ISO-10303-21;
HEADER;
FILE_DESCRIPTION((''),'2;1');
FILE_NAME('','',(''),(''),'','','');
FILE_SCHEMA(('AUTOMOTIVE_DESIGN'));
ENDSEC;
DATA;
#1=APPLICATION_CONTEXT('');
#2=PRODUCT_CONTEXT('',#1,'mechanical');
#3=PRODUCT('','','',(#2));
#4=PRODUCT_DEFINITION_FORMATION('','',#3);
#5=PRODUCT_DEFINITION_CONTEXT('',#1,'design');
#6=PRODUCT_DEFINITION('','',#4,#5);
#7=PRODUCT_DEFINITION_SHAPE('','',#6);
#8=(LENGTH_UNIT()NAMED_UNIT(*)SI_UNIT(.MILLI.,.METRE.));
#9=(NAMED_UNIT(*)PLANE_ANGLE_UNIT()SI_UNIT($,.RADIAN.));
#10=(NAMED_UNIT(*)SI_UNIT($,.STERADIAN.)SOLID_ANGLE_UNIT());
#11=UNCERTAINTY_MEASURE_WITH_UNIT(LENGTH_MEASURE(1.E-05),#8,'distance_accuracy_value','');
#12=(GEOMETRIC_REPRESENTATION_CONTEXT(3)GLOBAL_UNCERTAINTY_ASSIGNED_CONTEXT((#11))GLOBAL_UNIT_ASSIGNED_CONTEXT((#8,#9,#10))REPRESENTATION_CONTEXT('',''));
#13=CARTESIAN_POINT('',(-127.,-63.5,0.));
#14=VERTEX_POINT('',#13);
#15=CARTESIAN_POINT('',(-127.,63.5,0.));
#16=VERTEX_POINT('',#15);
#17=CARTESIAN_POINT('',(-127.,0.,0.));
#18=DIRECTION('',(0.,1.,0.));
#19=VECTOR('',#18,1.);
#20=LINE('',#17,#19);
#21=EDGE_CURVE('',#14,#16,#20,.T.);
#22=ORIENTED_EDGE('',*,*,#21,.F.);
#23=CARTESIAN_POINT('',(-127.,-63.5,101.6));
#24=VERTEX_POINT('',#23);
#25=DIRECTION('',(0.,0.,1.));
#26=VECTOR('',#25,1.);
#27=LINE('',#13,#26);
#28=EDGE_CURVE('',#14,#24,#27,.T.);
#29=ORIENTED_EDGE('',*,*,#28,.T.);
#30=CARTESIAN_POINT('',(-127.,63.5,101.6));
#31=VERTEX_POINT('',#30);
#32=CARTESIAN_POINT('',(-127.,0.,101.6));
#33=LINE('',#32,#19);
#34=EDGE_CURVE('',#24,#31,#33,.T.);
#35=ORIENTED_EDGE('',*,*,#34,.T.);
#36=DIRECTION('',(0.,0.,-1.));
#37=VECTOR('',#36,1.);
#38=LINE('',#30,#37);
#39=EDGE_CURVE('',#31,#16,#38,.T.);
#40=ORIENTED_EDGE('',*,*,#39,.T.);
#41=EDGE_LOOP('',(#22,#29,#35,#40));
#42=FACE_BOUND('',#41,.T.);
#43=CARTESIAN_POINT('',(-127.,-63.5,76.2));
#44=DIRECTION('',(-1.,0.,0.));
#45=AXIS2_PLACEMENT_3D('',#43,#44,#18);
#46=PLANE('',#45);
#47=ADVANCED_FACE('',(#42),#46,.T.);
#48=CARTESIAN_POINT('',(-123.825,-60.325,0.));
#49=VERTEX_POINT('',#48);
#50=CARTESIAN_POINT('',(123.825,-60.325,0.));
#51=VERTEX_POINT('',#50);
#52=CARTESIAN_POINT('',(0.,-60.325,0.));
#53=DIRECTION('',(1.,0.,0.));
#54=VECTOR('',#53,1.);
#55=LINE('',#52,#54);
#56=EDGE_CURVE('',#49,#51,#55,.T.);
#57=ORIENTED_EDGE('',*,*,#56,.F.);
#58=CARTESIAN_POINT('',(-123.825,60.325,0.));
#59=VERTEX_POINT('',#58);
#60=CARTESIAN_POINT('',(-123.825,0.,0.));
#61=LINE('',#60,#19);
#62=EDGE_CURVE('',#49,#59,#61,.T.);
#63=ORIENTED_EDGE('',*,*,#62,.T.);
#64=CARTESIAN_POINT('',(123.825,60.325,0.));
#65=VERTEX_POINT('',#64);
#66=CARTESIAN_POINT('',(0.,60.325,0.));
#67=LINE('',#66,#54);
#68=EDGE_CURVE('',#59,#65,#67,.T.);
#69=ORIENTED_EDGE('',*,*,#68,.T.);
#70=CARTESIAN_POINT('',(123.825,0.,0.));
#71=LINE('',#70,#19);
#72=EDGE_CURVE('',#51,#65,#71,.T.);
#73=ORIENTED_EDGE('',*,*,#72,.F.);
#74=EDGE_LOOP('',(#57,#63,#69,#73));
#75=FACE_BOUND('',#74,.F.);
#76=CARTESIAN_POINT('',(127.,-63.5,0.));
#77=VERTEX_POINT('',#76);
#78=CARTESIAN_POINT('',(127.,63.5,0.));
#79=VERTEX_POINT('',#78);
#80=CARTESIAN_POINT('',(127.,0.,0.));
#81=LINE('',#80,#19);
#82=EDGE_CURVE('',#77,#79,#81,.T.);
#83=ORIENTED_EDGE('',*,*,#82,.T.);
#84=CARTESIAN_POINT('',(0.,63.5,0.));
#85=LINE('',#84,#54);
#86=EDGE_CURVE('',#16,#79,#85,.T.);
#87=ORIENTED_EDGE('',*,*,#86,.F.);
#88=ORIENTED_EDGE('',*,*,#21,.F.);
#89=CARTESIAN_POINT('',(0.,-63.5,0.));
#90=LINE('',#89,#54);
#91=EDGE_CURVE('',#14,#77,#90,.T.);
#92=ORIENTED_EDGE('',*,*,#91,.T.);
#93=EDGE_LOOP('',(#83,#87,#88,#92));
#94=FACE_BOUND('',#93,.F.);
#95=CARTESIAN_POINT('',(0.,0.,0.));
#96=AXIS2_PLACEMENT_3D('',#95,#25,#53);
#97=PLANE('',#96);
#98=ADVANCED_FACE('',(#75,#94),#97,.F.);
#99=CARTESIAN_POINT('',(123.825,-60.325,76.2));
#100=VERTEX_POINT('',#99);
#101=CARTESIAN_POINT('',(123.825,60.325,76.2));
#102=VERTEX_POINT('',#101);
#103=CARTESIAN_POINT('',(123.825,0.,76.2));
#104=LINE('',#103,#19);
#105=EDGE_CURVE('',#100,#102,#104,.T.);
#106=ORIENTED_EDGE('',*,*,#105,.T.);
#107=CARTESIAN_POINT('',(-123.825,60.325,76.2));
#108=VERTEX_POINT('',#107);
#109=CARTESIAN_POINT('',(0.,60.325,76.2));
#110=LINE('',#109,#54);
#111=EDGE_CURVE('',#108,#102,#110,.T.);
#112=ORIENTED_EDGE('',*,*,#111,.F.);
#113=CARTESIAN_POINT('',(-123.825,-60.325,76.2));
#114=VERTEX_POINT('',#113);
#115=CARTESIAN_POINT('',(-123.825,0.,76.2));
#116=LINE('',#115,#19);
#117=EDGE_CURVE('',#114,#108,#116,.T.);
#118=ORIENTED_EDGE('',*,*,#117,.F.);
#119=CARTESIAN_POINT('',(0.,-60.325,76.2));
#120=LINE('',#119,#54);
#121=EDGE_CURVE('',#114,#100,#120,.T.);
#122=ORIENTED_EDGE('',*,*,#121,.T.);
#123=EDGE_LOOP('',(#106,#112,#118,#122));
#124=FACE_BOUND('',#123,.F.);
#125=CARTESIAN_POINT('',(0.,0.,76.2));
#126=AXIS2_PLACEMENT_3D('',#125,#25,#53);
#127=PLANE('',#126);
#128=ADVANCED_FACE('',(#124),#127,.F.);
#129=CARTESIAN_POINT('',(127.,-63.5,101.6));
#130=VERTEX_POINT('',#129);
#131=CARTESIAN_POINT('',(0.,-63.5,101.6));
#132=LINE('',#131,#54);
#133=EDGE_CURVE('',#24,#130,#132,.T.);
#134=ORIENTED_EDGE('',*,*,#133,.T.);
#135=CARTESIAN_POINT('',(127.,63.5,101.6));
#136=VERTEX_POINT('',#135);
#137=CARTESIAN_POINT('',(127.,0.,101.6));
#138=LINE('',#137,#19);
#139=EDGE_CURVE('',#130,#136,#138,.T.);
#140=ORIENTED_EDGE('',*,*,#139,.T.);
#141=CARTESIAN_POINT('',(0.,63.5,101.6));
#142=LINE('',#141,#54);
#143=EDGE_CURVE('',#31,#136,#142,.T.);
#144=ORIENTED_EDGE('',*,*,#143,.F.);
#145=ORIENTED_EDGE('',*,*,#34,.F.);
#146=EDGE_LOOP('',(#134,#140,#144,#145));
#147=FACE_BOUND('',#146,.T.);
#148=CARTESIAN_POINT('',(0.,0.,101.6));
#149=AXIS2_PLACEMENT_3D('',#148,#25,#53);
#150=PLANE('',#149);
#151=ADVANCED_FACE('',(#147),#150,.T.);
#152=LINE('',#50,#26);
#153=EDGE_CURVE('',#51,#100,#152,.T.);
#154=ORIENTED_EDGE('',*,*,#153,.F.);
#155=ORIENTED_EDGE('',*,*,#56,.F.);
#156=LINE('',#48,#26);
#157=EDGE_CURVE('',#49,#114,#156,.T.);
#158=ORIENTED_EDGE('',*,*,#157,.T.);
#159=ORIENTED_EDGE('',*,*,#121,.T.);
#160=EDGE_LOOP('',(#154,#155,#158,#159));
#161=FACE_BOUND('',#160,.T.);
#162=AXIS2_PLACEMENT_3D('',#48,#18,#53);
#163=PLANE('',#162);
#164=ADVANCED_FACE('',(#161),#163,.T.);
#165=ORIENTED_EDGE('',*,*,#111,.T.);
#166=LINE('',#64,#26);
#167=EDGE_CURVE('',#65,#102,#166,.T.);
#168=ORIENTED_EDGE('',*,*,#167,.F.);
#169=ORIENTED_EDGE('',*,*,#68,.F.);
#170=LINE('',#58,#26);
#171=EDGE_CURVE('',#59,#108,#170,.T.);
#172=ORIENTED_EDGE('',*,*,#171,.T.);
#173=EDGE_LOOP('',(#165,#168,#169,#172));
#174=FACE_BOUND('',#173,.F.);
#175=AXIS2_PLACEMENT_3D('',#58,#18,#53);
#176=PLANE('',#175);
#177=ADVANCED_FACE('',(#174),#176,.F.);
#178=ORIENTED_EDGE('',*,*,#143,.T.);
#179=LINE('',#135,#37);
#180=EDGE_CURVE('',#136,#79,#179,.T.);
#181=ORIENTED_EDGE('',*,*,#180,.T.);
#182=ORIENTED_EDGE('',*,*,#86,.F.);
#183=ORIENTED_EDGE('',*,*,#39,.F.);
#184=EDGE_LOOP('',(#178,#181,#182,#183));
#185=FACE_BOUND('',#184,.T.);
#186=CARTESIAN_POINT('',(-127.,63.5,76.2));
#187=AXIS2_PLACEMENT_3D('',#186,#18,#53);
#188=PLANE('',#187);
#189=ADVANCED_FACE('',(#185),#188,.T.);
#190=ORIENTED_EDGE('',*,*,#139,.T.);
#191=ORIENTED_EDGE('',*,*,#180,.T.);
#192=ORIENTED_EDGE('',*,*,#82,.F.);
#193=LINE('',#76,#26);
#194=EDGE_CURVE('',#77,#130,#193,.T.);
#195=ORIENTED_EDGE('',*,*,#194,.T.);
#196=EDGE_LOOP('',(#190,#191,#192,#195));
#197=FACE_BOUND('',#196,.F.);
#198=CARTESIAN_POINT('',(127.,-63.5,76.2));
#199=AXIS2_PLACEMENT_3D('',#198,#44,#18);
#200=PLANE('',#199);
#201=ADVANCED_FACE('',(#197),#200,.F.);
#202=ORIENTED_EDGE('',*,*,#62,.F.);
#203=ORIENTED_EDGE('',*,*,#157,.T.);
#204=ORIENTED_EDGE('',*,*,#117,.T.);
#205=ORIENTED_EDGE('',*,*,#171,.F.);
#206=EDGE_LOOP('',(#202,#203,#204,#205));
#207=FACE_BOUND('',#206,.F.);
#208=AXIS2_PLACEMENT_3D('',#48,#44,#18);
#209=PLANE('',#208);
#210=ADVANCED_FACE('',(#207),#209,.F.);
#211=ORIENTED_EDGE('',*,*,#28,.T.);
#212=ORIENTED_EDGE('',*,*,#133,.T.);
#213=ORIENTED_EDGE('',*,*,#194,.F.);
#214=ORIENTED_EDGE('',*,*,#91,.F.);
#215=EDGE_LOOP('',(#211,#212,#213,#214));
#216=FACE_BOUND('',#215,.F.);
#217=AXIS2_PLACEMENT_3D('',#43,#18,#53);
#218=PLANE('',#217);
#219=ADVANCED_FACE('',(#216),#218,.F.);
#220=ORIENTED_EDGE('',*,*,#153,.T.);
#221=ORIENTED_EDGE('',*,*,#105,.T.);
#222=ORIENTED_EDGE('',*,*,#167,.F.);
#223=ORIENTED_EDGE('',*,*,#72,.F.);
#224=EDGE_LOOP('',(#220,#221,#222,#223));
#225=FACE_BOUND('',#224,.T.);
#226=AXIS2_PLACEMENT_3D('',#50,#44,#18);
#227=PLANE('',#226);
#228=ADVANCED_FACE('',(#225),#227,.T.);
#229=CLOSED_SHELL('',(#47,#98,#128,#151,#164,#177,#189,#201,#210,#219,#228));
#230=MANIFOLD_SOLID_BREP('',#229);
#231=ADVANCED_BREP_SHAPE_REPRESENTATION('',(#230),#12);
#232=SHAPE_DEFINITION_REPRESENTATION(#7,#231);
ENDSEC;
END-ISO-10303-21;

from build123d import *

# Parameters (mm, degrees)
F0_W     = 254
F0_H     = 127
F0_W_2   = 247.65
F0_H_2   = 120.65
F1_DEPTH = 76.2
F2_W     = 254
F2_H     = 127
F3_DEPTH = 25.4


with BuildPart() as f1:
    # F0 (on Top) → F1 (new body)
    with BuildSketch(Plane.XY):
        Rectangle(F0_W, F0_H)
        Rectangle(F0_W_2, F0_H_2, mode=Mode.SUBTRACT)
    extrude(amount=F1_DEPTH)

    # F2 (on face) → F3 (join)
    with BuildSketch(Plane.XY.offset(76.2)):
        Rectangle(F2_W, F2_H)
    extrude(amount=F3_DEPTH)


solid = f1.part
